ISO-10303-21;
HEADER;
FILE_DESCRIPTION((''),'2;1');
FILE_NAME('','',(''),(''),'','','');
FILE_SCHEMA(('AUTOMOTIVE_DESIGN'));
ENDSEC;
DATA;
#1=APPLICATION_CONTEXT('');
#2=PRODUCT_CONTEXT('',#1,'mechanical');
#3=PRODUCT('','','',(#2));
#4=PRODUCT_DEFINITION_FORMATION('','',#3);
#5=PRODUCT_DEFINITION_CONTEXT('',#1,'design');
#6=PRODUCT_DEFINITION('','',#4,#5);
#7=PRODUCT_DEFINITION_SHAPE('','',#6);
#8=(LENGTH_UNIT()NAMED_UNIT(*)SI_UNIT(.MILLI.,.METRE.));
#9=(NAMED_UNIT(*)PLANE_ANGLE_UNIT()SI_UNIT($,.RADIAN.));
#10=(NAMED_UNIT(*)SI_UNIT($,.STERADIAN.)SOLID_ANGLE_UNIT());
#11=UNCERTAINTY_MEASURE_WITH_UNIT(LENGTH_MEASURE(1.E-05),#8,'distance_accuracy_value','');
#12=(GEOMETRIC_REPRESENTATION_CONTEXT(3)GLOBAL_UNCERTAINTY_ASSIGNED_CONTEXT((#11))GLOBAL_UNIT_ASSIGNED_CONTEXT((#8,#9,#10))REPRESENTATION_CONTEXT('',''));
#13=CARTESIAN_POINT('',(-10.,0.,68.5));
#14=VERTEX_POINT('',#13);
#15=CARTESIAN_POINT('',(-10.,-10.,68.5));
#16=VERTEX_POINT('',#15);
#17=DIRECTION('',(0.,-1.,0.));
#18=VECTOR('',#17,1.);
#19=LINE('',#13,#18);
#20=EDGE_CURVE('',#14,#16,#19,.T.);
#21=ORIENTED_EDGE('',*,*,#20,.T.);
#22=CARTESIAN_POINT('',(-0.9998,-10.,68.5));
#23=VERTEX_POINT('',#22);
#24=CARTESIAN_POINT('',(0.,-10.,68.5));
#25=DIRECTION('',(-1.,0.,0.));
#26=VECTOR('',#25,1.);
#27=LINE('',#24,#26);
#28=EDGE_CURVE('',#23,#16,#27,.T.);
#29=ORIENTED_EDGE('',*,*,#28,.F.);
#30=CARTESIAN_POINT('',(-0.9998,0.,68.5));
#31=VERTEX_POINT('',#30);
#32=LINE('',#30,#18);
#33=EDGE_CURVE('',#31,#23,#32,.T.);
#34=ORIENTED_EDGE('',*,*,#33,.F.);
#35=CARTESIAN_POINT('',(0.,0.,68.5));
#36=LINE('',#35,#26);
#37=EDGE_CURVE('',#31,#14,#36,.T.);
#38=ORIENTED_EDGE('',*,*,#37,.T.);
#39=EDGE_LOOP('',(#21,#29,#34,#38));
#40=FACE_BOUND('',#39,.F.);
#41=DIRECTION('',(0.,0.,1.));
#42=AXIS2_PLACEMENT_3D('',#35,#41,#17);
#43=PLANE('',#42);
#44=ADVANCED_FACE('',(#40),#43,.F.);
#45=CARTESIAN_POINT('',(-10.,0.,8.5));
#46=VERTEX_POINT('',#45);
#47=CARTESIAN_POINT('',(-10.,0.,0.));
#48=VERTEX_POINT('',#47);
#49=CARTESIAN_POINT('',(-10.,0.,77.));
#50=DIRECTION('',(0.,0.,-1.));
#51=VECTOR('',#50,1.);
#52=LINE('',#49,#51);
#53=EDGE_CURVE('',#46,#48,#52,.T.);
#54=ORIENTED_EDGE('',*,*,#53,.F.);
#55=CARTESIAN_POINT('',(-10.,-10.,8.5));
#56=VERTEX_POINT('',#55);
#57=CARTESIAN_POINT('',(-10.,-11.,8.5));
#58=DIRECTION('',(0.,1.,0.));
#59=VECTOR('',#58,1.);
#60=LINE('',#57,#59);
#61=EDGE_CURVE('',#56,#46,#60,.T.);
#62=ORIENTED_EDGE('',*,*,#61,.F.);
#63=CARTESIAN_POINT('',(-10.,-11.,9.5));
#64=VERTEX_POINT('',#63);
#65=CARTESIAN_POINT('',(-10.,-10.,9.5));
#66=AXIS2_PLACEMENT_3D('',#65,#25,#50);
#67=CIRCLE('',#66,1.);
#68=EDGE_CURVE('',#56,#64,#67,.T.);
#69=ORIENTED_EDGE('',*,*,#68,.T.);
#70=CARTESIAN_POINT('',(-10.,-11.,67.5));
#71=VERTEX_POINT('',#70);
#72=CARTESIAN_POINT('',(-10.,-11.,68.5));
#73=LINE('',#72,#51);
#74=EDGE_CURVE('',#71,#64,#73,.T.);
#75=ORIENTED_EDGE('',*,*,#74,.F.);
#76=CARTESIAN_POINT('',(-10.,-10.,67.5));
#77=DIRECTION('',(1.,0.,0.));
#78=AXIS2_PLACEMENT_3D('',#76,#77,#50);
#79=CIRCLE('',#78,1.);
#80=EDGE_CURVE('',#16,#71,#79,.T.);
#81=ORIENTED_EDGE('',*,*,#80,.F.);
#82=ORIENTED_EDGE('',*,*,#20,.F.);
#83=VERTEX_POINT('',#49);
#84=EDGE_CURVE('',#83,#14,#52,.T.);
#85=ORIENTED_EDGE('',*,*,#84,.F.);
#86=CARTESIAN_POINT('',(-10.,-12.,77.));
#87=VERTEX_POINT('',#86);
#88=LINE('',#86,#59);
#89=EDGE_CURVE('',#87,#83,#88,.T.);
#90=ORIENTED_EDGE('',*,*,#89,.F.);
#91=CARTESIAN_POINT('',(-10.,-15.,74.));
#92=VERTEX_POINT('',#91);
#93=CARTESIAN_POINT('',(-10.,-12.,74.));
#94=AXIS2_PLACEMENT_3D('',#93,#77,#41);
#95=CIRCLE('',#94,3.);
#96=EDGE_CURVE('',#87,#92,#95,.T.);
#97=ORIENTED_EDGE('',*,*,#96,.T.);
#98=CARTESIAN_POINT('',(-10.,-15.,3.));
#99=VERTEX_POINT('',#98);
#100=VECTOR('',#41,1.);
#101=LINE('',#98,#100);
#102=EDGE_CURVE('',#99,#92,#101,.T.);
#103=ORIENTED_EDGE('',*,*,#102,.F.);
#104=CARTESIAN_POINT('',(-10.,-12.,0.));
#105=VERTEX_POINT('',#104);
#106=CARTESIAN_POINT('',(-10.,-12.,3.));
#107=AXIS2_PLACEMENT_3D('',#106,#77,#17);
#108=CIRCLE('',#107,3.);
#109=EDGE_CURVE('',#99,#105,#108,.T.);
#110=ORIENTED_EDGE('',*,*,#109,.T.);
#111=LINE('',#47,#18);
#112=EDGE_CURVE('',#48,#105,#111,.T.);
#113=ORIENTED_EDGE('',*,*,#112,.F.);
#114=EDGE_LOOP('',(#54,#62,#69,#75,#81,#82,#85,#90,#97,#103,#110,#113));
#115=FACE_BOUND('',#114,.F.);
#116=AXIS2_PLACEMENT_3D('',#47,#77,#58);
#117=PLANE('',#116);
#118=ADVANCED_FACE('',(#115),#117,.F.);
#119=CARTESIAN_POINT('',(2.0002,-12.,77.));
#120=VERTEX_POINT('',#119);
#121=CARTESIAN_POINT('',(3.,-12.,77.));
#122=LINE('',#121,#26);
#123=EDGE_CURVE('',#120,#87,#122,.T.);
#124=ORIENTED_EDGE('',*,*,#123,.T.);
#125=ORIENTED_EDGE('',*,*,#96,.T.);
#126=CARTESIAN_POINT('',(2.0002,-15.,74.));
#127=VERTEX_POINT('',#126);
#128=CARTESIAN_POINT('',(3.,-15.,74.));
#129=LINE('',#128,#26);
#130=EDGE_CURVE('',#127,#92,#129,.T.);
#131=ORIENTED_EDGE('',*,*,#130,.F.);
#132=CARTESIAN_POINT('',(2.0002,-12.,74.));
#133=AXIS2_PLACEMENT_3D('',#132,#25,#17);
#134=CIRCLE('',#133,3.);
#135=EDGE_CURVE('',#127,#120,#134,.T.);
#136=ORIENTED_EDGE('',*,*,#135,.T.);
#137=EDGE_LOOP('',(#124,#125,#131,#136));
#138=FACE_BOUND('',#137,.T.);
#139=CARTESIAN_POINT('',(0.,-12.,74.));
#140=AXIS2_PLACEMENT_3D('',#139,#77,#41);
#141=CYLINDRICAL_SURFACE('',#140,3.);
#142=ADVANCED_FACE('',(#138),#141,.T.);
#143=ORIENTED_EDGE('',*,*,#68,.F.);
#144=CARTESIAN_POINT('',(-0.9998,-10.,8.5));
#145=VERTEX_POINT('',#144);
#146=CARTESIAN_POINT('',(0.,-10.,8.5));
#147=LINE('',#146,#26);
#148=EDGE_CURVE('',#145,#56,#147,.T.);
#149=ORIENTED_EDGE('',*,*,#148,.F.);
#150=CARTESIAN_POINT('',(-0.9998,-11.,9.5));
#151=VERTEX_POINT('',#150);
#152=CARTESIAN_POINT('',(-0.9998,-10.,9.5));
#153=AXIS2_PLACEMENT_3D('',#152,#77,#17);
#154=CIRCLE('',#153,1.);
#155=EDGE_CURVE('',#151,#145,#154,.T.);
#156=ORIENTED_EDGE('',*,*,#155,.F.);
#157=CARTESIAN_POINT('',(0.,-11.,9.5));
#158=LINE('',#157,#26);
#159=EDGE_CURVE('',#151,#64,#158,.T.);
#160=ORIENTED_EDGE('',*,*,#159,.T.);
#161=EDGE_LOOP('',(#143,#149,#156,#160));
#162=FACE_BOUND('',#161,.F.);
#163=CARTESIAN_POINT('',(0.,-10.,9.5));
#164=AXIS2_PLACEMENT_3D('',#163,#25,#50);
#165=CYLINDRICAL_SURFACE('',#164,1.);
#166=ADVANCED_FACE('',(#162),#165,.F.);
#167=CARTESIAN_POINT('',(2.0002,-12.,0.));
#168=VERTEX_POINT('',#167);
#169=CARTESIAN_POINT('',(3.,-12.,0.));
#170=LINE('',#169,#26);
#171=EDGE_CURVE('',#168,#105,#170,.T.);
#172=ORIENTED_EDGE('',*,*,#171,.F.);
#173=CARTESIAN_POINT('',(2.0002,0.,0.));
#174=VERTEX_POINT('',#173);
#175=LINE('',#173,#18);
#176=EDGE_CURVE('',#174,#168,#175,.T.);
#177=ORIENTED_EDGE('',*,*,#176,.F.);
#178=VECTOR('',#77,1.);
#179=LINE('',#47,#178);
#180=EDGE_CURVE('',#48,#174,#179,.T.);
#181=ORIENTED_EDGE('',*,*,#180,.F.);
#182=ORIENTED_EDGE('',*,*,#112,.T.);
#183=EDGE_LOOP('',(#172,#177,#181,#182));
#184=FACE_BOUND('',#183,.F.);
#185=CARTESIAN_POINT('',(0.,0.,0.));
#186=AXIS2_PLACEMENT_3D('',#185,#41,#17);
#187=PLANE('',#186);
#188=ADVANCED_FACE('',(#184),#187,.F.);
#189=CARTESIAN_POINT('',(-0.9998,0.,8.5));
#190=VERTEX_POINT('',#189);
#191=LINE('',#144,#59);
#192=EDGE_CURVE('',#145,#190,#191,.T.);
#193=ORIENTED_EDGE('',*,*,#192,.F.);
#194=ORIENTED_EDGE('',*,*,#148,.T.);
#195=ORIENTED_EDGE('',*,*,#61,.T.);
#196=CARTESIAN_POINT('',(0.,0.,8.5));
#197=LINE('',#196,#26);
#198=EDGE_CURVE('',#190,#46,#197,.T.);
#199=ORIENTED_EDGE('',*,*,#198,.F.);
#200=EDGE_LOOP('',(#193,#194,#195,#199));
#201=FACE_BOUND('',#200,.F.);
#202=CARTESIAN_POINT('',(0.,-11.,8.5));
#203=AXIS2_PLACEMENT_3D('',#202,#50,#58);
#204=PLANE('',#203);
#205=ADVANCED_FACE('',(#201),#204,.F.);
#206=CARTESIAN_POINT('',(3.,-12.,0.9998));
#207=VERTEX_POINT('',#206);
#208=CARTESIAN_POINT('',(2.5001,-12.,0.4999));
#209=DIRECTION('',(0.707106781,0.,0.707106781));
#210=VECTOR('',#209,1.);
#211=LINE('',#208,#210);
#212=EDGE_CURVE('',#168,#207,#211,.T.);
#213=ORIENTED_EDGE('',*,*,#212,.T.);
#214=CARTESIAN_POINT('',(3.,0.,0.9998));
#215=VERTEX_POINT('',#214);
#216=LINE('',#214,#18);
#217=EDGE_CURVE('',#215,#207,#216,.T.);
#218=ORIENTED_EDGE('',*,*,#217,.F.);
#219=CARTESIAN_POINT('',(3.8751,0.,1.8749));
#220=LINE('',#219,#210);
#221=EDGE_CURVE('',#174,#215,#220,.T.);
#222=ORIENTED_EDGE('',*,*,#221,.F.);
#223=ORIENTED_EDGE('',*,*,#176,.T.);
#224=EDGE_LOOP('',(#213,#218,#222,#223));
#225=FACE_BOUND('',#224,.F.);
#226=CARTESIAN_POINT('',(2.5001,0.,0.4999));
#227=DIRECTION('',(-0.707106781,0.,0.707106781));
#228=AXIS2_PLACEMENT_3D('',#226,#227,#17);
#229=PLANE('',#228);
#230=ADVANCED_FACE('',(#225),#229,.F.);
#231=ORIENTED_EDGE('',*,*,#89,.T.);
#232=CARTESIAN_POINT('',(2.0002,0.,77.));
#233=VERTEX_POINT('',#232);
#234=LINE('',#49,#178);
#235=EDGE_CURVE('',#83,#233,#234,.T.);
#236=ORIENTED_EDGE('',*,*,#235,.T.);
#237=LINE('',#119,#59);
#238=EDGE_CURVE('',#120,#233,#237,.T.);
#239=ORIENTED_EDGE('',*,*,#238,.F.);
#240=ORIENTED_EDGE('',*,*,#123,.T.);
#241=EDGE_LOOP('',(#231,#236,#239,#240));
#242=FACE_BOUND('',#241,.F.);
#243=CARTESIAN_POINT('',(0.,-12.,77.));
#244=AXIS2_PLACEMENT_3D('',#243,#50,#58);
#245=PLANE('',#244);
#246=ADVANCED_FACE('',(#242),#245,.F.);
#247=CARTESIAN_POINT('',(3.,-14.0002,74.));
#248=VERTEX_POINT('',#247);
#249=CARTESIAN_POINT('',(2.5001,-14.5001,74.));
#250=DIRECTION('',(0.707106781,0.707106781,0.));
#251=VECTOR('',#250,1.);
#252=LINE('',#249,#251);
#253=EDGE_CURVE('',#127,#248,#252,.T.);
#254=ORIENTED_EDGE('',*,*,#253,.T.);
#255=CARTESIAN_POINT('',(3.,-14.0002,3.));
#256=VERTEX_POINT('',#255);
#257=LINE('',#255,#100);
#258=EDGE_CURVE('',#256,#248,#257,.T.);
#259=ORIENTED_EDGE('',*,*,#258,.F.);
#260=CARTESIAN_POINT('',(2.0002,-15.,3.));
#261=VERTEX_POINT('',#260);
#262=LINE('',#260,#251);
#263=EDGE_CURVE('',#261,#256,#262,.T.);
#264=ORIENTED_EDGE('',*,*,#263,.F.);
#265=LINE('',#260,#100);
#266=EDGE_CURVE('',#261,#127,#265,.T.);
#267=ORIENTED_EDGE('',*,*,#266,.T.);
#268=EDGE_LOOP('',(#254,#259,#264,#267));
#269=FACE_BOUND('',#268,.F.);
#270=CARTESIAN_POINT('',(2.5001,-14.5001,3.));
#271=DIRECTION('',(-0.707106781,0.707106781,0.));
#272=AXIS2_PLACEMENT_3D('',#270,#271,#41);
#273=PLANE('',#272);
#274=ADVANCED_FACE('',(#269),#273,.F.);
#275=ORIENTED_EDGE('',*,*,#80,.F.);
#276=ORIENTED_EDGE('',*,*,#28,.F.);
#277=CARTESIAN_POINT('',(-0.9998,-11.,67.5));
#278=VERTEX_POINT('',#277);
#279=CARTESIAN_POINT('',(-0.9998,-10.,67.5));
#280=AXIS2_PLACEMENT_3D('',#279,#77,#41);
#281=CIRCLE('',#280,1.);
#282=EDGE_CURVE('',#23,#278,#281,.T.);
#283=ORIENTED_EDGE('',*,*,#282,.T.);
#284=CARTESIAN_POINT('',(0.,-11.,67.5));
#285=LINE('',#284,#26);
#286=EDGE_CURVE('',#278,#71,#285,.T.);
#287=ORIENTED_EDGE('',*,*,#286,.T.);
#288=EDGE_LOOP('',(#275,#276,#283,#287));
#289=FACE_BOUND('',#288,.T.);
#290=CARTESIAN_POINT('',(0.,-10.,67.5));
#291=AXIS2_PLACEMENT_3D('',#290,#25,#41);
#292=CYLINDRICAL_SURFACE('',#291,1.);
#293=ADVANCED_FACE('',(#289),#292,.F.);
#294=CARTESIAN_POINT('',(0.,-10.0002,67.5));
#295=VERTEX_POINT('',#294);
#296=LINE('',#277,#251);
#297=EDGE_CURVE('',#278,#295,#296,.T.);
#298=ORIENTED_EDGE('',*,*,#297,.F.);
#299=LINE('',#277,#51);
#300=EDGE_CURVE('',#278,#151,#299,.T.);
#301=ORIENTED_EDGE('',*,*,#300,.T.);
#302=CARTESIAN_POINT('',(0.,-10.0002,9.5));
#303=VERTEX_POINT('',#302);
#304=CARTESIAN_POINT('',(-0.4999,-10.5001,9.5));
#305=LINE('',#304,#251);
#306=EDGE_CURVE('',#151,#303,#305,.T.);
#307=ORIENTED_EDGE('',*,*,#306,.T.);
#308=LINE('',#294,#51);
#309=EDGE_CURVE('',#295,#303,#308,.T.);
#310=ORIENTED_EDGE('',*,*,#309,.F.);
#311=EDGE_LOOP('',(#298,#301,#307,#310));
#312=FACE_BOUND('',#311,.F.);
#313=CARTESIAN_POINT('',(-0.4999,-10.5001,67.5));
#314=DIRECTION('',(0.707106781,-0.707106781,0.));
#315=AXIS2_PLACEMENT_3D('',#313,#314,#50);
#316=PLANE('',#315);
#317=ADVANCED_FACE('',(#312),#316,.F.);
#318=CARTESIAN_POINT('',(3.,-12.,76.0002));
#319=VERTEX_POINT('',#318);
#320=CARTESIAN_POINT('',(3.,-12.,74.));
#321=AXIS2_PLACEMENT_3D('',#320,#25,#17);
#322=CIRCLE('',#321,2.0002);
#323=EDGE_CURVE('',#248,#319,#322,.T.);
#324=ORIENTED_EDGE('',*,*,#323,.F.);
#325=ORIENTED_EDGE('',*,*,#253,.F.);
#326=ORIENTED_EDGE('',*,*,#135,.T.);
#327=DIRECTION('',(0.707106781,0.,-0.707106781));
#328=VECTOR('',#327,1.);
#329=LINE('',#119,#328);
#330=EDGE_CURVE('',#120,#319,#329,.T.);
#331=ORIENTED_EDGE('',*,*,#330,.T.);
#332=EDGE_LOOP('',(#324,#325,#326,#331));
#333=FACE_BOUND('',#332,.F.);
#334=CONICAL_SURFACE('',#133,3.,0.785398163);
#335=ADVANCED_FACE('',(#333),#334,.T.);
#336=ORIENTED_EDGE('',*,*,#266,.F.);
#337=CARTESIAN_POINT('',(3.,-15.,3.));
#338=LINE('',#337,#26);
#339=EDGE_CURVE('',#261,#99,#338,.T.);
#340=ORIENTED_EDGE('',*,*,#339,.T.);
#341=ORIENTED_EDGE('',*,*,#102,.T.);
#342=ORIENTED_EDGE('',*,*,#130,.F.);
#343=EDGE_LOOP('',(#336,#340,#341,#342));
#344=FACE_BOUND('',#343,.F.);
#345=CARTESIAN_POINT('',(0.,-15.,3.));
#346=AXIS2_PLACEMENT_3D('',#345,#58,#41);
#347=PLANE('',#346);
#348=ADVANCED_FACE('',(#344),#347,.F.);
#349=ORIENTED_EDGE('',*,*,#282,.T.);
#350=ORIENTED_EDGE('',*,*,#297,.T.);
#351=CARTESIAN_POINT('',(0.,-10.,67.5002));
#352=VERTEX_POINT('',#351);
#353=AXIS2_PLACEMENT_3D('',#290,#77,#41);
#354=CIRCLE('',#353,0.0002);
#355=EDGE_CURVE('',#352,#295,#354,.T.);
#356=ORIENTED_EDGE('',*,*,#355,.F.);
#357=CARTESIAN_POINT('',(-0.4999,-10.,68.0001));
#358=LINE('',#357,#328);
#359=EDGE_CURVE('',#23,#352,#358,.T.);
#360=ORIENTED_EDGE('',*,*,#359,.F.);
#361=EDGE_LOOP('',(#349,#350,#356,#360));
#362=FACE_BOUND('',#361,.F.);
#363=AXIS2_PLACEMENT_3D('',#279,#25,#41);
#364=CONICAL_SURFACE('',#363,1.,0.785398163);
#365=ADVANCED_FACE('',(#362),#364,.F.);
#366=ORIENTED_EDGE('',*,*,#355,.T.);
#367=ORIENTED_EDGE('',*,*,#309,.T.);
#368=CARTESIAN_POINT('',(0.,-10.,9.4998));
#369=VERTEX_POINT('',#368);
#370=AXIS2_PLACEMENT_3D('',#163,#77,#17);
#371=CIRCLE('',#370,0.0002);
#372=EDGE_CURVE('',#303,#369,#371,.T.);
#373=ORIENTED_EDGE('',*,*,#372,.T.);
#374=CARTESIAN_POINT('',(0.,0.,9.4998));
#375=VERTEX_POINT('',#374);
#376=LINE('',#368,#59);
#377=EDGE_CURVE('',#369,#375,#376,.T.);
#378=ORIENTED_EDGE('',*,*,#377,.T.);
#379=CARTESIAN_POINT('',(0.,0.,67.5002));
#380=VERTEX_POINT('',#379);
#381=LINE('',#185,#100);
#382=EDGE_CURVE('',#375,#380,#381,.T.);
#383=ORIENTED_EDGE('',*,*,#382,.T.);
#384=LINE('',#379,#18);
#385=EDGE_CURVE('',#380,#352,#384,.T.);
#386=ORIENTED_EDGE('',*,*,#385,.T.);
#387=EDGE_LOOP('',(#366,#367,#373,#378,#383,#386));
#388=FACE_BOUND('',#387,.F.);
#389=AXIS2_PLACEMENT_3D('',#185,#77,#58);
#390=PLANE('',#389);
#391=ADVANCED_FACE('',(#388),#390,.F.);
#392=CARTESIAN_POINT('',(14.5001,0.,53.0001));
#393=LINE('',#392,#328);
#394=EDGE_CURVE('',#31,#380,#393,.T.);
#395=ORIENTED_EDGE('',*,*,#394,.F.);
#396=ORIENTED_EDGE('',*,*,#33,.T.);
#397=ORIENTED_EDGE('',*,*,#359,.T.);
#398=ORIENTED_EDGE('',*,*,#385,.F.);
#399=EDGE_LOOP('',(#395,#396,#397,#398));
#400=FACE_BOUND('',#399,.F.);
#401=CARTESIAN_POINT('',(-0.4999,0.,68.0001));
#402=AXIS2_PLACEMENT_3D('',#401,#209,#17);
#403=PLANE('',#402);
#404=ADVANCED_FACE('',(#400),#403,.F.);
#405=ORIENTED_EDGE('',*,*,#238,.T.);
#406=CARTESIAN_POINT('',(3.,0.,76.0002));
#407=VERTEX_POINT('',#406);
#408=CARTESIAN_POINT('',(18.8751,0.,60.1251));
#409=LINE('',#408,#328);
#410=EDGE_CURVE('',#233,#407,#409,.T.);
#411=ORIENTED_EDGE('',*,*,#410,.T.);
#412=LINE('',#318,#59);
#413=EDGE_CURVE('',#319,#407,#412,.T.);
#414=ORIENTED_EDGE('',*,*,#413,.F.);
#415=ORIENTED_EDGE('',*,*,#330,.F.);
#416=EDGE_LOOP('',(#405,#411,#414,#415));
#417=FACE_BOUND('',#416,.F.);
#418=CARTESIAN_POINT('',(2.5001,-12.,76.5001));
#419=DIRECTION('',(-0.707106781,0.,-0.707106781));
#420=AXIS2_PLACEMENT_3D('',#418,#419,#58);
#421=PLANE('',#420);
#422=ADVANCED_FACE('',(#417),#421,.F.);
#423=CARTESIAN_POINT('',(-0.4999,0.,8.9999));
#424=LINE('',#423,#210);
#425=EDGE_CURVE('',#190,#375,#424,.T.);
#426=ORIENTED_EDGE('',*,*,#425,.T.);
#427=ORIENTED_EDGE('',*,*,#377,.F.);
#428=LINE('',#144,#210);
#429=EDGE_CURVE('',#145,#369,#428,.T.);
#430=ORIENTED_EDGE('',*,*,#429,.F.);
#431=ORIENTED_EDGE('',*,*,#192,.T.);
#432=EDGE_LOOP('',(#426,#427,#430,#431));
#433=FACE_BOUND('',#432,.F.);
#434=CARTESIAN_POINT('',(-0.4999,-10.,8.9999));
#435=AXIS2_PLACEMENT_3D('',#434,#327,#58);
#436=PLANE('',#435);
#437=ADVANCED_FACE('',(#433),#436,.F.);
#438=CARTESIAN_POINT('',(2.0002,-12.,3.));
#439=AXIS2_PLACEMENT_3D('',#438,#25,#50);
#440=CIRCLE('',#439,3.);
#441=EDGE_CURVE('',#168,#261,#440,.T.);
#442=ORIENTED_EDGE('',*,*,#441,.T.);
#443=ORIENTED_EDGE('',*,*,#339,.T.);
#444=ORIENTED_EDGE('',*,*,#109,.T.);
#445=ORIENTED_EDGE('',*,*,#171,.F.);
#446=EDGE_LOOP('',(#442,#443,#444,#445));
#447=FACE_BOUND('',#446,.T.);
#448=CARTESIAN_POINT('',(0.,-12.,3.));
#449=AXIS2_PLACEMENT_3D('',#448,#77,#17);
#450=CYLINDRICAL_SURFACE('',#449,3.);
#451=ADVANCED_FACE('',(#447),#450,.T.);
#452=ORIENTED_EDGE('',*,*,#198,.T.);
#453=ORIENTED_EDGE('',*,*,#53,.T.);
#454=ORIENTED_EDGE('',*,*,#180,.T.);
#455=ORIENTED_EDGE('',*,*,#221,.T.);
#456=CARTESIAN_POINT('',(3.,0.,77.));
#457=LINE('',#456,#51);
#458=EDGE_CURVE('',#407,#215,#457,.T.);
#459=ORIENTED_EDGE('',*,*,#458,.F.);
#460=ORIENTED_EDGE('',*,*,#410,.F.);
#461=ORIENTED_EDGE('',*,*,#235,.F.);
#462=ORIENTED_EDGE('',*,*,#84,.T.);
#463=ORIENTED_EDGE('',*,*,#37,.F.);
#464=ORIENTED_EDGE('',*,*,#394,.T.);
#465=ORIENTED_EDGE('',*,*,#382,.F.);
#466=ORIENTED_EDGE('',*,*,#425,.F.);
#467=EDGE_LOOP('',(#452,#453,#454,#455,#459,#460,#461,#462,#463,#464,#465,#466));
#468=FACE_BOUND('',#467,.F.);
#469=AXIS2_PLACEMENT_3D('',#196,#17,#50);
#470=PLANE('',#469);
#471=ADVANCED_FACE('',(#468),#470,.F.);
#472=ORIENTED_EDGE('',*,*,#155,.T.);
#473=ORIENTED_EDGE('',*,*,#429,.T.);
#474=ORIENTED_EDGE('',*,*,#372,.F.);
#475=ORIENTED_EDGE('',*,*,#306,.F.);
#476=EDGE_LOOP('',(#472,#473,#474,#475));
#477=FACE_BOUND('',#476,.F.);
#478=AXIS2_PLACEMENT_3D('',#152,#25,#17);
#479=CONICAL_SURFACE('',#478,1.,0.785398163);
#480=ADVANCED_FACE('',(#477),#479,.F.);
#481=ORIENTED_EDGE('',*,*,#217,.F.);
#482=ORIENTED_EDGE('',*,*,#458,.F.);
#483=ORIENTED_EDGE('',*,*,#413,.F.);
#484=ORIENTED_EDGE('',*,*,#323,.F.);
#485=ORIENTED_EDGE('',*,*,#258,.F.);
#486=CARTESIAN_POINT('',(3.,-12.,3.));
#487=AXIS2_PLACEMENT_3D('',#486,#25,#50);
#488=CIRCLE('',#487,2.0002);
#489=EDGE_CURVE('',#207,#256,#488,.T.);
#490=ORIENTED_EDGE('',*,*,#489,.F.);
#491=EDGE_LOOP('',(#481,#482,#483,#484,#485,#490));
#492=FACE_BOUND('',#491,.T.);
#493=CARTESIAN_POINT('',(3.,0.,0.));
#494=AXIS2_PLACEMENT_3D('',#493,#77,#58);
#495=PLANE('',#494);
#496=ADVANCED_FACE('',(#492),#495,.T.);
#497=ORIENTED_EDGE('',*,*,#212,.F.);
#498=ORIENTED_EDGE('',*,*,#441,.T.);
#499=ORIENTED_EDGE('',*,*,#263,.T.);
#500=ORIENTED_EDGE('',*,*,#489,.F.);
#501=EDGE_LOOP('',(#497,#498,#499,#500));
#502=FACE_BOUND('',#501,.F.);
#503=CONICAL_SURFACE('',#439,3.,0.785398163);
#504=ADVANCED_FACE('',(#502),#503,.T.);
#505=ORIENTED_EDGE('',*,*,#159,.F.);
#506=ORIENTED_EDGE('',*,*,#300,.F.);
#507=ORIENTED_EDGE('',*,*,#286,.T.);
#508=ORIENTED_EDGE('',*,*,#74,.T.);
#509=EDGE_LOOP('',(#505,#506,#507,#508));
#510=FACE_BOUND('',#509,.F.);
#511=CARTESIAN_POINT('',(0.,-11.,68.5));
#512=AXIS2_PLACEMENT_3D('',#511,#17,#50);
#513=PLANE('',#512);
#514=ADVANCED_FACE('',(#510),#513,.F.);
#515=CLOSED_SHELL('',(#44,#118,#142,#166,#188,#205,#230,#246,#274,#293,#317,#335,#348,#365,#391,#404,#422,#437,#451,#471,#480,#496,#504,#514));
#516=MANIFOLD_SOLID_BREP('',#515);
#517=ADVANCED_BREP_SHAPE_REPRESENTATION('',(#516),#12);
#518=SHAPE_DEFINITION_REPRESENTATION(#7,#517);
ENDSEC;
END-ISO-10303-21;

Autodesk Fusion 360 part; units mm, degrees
sketch "Sketch1" plane through (0, 0, 0) normal (1, 0, 0) x (0, 1, 0)
  line L0 (0, 0) -> (-12, 0)
  arc A0 (-15, 3) -> (-12, 0) centre (-12, 3) ccw
  line L1 (-15, 3) -> (-15, 74)
  arc A1 (-12, 77) -> (-15, 74) centre (-12, 74) ccw
  line L2 (-12, 77) -> (0, 77)
  line L3 (0, 77) -> (0, 0)
  line L4 (0, 68.5) -> (-11, 68.5)
  line L5 (-11, 68.5) -> (-11, 8.5)
  line L6 (-11, 8.5) -> (0, 8.5)
  line L7 (-11, 38.5) -> (-15, 38.5) construction
  dimension "d1" = 60
  dimension "d2" = 77
  dimension "d3" = 3
  dimension "d4" = 15
  dimension "d5" = 11
extrude "Extrude1" add sketch "Sketch1" against normal blind 10 contours L0 A0 L1 A1 L2 L3 L4 L5 L6
extrude "Extrude2" add sketch "Sketch1" along normal blind 3
fillet "Fillet1" radius 1 2 edges at (-5, -11, 68.5) (-5, -11, 8.5)
chamfer "Chamfer1" distance 1 angle 45 10 edges at (3, -6, 77) (3, -14.1213, 76.1213) (3, -15, 38.5) (3, -14.1213, 0.8787) (3, -6, 0) (0, -5, 68.5) (0, -10.7071, 68.2071) (0, -11, 38.5) (0, -10.7071, 8.7929) (0, -5, 8.5)
